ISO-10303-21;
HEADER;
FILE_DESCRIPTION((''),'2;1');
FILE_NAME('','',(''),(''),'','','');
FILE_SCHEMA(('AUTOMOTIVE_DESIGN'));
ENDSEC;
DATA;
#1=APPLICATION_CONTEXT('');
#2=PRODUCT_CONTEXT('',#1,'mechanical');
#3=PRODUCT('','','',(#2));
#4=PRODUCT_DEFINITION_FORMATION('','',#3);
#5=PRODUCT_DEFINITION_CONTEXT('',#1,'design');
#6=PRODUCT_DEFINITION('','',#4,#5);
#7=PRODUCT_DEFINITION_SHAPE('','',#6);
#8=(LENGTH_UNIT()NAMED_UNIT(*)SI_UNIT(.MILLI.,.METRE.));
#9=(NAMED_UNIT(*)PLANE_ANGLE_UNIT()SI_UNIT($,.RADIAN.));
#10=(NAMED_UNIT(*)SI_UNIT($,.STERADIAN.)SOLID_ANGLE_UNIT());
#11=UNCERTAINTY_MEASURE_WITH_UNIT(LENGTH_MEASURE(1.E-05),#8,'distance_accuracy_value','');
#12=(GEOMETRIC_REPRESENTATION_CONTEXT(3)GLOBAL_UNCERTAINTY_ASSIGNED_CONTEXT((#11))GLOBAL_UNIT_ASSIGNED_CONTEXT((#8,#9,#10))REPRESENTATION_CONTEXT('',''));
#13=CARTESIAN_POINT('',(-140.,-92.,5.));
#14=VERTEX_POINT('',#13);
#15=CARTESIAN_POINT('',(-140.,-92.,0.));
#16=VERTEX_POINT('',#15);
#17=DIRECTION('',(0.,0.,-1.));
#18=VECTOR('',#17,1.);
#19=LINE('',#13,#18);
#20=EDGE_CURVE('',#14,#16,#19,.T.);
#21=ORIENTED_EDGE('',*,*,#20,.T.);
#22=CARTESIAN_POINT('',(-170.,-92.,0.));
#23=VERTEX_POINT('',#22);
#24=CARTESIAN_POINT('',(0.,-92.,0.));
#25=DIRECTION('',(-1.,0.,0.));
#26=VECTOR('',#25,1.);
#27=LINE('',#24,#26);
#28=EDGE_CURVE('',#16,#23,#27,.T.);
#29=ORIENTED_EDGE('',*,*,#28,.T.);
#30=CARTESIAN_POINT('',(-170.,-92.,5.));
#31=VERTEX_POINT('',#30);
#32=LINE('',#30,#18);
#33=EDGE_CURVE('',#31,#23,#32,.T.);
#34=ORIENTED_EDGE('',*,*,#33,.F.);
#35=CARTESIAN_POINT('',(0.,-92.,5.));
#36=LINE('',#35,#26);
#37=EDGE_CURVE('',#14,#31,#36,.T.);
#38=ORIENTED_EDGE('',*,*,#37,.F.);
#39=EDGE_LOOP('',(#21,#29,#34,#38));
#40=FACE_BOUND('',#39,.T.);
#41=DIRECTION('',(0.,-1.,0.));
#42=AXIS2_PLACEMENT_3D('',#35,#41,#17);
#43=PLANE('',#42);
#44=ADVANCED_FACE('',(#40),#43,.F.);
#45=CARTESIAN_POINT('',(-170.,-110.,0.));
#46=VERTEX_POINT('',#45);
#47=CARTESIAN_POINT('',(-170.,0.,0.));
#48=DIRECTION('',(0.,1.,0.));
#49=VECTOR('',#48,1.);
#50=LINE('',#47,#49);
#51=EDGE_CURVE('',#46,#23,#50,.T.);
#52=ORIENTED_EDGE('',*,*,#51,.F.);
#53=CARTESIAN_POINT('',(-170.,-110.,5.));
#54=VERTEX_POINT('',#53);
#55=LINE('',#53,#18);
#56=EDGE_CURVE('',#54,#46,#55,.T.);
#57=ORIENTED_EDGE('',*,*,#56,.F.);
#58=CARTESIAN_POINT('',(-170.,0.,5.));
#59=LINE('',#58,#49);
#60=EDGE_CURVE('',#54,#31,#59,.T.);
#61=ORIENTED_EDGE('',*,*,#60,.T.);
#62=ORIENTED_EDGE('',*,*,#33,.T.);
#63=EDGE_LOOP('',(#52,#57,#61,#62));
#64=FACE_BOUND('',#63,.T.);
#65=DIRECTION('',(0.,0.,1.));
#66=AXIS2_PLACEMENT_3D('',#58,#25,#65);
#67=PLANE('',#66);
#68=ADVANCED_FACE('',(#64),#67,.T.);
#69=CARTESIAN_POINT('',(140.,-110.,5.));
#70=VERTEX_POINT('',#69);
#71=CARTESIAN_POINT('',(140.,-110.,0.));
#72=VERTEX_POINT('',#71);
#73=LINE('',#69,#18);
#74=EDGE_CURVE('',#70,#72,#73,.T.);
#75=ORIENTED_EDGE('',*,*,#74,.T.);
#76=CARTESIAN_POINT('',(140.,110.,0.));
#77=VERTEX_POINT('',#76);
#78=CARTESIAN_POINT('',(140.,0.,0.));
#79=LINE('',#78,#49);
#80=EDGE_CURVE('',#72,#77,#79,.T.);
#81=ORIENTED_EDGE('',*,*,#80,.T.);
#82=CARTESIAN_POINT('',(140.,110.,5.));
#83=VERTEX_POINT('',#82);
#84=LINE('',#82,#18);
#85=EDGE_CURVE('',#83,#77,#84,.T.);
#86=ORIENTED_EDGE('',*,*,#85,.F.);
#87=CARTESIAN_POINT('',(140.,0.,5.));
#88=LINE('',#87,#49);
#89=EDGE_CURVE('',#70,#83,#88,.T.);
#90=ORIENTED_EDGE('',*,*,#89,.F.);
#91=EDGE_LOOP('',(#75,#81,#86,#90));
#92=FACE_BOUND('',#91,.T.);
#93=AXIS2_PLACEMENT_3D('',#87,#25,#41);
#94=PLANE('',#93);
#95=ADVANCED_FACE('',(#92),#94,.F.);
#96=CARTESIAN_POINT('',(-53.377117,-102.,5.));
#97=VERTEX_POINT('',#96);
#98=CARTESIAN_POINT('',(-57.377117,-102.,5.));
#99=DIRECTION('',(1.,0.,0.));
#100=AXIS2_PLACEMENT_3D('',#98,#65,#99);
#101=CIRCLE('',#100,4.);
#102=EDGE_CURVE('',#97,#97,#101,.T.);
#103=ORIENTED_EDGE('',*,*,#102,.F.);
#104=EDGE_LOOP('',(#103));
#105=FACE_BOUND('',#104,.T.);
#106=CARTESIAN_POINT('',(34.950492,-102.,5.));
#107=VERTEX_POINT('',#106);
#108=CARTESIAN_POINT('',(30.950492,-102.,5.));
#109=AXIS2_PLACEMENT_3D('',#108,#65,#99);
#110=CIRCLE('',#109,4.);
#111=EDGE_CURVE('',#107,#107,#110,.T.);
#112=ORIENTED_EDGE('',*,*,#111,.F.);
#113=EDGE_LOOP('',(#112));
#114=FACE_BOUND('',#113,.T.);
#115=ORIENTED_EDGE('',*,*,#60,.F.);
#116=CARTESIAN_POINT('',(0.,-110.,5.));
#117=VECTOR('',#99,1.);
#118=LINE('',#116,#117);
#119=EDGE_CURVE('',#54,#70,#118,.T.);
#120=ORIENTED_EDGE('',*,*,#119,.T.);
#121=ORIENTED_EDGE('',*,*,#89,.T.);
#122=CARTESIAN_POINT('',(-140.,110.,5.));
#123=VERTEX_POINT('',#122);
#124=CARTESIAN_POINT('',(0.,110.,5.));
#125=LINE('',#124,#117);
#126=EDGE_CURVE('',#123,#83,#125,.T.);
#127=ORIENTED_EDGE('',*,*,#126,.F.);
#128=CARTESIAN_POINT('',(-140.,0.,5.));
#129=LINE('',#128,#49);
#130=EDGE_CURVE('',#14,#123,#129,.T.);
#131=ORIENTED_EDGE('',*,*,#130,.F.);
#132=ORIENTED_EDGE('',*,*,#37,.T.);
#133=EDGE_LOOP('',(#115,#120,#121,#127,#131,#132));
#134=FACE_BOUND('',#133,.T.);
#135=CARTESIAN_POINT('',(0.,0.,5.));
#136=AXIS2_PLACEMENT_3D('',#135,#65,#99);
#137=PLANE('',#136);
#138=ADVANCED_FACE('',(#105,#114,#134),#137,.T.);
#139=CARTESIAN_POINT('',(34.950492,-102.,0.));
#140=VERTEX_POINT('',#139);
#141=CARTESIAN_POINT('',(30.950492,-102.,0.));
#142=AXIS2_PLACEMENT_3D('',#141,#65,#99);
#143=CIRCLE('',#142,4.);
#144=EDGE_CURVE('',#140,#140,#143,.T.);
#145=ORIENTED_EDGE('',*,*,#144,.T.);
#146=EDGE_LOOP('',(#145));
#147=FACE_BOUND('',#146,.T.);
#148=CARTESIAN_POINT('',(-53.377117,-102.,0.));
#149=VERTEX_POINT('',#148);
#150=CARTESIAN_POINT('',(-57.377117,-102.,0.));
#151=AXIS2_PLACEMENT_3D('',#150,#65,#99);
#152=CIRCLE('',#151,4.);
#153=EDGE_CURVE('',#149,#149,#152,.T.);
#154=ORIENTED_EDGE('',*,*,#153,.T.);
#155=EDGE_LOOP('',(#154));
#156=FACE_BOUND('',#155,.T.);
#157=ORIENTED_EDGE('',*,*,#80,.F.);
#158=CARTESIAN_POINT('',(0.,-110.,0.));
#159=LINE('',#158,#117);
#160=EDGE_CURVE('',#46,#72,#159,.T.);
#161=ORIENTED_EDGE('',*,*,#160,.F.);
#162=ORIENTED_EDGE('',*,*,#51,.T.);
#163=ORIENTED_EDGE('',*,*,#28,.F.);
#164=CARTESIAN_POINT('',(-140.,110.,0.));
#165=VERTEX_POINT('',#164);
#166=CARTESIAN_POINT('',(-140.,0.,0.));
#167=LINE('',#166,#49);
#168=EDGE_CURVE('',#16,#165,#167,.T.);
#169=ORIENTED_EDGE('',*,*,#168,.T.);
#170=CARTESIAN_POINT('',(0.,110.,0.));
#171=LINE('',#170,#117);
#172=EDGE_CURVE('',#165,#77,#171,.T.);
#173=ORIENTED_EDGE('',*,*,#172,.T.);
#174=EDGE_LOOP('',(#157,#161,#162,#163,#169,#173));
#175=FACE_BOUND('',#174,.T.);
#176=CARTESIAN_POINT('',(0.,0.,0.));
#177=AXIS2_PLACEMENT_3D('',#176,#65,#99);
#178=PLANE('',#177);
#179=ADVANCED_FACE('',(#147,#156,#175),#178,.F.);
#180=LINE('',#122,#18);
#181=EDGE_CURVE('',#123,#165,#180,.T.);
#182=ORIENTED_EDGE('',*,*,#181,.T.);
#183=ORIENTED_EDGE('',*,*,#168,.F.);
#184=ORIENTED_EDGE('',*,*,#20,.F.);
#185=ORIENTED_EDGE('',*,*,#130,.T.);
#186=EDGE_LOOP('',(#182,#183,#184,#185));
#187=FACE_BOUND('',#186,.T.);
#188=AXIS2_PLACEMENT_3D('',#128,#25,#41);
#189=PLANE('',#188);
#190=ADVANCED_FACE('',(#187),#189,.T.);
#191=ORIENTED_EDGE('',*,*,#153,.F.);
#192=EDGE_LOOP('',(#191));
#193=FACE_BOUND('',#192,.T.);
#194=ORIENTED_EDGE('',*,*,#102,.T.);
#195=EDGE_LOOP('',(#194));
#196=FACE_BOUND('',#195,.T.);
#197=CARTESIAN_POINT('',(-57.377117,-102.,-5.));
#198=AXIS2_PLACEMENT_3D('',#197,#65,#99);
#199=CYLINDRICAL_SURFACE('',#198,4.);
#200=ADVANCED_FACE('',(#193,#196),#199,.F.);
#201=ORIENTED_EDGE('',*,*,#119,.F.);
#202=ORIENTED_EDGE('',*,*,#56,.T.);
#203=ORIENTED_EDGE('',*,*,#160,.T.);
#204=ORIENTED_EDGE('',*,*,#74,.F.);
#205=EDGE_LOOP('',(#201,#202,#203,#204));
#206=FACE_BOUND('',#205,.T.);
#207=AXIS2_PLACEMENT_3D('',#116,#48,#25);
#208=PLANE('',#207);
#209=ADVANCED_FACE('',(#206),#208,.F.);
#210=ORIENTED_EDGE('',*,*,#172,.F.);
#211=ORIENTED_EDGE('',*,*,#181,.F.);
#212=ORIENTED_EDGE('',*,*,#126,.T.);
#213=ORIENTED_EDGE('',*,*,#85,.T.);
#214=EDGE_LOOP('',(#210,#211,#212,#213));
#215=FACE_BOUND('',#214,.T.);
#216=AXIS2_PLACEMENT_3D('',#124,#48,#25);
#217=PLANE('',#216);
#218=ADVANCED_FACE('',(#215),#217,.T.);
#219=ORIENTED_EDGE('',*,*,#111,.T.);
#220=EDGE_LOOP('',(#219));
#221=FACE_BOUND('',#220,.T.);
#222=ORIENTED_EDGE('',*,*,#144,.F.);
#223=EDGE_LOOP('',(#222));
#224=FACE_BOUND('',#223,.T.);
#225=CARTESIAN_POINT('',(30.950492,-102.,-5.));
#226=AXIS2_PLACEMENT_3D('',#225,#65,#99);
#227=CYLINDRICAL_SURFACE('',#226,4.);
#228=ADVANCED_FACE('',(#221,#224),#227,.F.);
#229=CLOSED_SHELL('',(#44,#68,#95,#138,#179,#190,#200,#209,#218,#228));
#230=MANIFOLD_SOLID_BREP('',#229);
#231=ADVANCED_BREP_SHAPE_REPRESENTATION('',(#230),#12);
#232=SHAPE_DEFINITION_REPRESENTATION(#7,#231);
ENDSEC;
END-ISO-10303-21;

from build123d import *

# Parameters (mm, degrees)
SKETCH1_W           = 280
SKETCH1_H           = 220
SKETCH1_W_2         = 30
SKETCH1_H_2         = 18
BOSS_EXTRUDE1_DEPTH = 5
SKETCH2_R           = 4
CUT_EXTRUDE1_DEPTH  = 10


with BuildPart() as part:
    # Sketch1 → Boss-Extrude1 (new body)
    with BuildSketch(Plane.XY):
        Rectangle(SKETCH1_W, SKETCH1_H)
        with Locations((-155, -101)):
            Rectangle(SKETCH1_W_2, SKETCH1_H_2)
    extrude(amount=BOSS_EXTRUDE1_DEPTH)

    # Sketch2 → Cut-Extrude1 (cut)
    with BuildSketch(Plane.XY.offset(5)):
        with Locations((-57.377117084, -102)):
            Circle(SKETCH2_R)
        with Locations((30.950491695, -102)):
            Circle(SKETCH2_R)
    extrude(amount=-CUT_EXTRUDE1_DEPTH, mode=Mode.SUBTRACT)


solid = part.part
